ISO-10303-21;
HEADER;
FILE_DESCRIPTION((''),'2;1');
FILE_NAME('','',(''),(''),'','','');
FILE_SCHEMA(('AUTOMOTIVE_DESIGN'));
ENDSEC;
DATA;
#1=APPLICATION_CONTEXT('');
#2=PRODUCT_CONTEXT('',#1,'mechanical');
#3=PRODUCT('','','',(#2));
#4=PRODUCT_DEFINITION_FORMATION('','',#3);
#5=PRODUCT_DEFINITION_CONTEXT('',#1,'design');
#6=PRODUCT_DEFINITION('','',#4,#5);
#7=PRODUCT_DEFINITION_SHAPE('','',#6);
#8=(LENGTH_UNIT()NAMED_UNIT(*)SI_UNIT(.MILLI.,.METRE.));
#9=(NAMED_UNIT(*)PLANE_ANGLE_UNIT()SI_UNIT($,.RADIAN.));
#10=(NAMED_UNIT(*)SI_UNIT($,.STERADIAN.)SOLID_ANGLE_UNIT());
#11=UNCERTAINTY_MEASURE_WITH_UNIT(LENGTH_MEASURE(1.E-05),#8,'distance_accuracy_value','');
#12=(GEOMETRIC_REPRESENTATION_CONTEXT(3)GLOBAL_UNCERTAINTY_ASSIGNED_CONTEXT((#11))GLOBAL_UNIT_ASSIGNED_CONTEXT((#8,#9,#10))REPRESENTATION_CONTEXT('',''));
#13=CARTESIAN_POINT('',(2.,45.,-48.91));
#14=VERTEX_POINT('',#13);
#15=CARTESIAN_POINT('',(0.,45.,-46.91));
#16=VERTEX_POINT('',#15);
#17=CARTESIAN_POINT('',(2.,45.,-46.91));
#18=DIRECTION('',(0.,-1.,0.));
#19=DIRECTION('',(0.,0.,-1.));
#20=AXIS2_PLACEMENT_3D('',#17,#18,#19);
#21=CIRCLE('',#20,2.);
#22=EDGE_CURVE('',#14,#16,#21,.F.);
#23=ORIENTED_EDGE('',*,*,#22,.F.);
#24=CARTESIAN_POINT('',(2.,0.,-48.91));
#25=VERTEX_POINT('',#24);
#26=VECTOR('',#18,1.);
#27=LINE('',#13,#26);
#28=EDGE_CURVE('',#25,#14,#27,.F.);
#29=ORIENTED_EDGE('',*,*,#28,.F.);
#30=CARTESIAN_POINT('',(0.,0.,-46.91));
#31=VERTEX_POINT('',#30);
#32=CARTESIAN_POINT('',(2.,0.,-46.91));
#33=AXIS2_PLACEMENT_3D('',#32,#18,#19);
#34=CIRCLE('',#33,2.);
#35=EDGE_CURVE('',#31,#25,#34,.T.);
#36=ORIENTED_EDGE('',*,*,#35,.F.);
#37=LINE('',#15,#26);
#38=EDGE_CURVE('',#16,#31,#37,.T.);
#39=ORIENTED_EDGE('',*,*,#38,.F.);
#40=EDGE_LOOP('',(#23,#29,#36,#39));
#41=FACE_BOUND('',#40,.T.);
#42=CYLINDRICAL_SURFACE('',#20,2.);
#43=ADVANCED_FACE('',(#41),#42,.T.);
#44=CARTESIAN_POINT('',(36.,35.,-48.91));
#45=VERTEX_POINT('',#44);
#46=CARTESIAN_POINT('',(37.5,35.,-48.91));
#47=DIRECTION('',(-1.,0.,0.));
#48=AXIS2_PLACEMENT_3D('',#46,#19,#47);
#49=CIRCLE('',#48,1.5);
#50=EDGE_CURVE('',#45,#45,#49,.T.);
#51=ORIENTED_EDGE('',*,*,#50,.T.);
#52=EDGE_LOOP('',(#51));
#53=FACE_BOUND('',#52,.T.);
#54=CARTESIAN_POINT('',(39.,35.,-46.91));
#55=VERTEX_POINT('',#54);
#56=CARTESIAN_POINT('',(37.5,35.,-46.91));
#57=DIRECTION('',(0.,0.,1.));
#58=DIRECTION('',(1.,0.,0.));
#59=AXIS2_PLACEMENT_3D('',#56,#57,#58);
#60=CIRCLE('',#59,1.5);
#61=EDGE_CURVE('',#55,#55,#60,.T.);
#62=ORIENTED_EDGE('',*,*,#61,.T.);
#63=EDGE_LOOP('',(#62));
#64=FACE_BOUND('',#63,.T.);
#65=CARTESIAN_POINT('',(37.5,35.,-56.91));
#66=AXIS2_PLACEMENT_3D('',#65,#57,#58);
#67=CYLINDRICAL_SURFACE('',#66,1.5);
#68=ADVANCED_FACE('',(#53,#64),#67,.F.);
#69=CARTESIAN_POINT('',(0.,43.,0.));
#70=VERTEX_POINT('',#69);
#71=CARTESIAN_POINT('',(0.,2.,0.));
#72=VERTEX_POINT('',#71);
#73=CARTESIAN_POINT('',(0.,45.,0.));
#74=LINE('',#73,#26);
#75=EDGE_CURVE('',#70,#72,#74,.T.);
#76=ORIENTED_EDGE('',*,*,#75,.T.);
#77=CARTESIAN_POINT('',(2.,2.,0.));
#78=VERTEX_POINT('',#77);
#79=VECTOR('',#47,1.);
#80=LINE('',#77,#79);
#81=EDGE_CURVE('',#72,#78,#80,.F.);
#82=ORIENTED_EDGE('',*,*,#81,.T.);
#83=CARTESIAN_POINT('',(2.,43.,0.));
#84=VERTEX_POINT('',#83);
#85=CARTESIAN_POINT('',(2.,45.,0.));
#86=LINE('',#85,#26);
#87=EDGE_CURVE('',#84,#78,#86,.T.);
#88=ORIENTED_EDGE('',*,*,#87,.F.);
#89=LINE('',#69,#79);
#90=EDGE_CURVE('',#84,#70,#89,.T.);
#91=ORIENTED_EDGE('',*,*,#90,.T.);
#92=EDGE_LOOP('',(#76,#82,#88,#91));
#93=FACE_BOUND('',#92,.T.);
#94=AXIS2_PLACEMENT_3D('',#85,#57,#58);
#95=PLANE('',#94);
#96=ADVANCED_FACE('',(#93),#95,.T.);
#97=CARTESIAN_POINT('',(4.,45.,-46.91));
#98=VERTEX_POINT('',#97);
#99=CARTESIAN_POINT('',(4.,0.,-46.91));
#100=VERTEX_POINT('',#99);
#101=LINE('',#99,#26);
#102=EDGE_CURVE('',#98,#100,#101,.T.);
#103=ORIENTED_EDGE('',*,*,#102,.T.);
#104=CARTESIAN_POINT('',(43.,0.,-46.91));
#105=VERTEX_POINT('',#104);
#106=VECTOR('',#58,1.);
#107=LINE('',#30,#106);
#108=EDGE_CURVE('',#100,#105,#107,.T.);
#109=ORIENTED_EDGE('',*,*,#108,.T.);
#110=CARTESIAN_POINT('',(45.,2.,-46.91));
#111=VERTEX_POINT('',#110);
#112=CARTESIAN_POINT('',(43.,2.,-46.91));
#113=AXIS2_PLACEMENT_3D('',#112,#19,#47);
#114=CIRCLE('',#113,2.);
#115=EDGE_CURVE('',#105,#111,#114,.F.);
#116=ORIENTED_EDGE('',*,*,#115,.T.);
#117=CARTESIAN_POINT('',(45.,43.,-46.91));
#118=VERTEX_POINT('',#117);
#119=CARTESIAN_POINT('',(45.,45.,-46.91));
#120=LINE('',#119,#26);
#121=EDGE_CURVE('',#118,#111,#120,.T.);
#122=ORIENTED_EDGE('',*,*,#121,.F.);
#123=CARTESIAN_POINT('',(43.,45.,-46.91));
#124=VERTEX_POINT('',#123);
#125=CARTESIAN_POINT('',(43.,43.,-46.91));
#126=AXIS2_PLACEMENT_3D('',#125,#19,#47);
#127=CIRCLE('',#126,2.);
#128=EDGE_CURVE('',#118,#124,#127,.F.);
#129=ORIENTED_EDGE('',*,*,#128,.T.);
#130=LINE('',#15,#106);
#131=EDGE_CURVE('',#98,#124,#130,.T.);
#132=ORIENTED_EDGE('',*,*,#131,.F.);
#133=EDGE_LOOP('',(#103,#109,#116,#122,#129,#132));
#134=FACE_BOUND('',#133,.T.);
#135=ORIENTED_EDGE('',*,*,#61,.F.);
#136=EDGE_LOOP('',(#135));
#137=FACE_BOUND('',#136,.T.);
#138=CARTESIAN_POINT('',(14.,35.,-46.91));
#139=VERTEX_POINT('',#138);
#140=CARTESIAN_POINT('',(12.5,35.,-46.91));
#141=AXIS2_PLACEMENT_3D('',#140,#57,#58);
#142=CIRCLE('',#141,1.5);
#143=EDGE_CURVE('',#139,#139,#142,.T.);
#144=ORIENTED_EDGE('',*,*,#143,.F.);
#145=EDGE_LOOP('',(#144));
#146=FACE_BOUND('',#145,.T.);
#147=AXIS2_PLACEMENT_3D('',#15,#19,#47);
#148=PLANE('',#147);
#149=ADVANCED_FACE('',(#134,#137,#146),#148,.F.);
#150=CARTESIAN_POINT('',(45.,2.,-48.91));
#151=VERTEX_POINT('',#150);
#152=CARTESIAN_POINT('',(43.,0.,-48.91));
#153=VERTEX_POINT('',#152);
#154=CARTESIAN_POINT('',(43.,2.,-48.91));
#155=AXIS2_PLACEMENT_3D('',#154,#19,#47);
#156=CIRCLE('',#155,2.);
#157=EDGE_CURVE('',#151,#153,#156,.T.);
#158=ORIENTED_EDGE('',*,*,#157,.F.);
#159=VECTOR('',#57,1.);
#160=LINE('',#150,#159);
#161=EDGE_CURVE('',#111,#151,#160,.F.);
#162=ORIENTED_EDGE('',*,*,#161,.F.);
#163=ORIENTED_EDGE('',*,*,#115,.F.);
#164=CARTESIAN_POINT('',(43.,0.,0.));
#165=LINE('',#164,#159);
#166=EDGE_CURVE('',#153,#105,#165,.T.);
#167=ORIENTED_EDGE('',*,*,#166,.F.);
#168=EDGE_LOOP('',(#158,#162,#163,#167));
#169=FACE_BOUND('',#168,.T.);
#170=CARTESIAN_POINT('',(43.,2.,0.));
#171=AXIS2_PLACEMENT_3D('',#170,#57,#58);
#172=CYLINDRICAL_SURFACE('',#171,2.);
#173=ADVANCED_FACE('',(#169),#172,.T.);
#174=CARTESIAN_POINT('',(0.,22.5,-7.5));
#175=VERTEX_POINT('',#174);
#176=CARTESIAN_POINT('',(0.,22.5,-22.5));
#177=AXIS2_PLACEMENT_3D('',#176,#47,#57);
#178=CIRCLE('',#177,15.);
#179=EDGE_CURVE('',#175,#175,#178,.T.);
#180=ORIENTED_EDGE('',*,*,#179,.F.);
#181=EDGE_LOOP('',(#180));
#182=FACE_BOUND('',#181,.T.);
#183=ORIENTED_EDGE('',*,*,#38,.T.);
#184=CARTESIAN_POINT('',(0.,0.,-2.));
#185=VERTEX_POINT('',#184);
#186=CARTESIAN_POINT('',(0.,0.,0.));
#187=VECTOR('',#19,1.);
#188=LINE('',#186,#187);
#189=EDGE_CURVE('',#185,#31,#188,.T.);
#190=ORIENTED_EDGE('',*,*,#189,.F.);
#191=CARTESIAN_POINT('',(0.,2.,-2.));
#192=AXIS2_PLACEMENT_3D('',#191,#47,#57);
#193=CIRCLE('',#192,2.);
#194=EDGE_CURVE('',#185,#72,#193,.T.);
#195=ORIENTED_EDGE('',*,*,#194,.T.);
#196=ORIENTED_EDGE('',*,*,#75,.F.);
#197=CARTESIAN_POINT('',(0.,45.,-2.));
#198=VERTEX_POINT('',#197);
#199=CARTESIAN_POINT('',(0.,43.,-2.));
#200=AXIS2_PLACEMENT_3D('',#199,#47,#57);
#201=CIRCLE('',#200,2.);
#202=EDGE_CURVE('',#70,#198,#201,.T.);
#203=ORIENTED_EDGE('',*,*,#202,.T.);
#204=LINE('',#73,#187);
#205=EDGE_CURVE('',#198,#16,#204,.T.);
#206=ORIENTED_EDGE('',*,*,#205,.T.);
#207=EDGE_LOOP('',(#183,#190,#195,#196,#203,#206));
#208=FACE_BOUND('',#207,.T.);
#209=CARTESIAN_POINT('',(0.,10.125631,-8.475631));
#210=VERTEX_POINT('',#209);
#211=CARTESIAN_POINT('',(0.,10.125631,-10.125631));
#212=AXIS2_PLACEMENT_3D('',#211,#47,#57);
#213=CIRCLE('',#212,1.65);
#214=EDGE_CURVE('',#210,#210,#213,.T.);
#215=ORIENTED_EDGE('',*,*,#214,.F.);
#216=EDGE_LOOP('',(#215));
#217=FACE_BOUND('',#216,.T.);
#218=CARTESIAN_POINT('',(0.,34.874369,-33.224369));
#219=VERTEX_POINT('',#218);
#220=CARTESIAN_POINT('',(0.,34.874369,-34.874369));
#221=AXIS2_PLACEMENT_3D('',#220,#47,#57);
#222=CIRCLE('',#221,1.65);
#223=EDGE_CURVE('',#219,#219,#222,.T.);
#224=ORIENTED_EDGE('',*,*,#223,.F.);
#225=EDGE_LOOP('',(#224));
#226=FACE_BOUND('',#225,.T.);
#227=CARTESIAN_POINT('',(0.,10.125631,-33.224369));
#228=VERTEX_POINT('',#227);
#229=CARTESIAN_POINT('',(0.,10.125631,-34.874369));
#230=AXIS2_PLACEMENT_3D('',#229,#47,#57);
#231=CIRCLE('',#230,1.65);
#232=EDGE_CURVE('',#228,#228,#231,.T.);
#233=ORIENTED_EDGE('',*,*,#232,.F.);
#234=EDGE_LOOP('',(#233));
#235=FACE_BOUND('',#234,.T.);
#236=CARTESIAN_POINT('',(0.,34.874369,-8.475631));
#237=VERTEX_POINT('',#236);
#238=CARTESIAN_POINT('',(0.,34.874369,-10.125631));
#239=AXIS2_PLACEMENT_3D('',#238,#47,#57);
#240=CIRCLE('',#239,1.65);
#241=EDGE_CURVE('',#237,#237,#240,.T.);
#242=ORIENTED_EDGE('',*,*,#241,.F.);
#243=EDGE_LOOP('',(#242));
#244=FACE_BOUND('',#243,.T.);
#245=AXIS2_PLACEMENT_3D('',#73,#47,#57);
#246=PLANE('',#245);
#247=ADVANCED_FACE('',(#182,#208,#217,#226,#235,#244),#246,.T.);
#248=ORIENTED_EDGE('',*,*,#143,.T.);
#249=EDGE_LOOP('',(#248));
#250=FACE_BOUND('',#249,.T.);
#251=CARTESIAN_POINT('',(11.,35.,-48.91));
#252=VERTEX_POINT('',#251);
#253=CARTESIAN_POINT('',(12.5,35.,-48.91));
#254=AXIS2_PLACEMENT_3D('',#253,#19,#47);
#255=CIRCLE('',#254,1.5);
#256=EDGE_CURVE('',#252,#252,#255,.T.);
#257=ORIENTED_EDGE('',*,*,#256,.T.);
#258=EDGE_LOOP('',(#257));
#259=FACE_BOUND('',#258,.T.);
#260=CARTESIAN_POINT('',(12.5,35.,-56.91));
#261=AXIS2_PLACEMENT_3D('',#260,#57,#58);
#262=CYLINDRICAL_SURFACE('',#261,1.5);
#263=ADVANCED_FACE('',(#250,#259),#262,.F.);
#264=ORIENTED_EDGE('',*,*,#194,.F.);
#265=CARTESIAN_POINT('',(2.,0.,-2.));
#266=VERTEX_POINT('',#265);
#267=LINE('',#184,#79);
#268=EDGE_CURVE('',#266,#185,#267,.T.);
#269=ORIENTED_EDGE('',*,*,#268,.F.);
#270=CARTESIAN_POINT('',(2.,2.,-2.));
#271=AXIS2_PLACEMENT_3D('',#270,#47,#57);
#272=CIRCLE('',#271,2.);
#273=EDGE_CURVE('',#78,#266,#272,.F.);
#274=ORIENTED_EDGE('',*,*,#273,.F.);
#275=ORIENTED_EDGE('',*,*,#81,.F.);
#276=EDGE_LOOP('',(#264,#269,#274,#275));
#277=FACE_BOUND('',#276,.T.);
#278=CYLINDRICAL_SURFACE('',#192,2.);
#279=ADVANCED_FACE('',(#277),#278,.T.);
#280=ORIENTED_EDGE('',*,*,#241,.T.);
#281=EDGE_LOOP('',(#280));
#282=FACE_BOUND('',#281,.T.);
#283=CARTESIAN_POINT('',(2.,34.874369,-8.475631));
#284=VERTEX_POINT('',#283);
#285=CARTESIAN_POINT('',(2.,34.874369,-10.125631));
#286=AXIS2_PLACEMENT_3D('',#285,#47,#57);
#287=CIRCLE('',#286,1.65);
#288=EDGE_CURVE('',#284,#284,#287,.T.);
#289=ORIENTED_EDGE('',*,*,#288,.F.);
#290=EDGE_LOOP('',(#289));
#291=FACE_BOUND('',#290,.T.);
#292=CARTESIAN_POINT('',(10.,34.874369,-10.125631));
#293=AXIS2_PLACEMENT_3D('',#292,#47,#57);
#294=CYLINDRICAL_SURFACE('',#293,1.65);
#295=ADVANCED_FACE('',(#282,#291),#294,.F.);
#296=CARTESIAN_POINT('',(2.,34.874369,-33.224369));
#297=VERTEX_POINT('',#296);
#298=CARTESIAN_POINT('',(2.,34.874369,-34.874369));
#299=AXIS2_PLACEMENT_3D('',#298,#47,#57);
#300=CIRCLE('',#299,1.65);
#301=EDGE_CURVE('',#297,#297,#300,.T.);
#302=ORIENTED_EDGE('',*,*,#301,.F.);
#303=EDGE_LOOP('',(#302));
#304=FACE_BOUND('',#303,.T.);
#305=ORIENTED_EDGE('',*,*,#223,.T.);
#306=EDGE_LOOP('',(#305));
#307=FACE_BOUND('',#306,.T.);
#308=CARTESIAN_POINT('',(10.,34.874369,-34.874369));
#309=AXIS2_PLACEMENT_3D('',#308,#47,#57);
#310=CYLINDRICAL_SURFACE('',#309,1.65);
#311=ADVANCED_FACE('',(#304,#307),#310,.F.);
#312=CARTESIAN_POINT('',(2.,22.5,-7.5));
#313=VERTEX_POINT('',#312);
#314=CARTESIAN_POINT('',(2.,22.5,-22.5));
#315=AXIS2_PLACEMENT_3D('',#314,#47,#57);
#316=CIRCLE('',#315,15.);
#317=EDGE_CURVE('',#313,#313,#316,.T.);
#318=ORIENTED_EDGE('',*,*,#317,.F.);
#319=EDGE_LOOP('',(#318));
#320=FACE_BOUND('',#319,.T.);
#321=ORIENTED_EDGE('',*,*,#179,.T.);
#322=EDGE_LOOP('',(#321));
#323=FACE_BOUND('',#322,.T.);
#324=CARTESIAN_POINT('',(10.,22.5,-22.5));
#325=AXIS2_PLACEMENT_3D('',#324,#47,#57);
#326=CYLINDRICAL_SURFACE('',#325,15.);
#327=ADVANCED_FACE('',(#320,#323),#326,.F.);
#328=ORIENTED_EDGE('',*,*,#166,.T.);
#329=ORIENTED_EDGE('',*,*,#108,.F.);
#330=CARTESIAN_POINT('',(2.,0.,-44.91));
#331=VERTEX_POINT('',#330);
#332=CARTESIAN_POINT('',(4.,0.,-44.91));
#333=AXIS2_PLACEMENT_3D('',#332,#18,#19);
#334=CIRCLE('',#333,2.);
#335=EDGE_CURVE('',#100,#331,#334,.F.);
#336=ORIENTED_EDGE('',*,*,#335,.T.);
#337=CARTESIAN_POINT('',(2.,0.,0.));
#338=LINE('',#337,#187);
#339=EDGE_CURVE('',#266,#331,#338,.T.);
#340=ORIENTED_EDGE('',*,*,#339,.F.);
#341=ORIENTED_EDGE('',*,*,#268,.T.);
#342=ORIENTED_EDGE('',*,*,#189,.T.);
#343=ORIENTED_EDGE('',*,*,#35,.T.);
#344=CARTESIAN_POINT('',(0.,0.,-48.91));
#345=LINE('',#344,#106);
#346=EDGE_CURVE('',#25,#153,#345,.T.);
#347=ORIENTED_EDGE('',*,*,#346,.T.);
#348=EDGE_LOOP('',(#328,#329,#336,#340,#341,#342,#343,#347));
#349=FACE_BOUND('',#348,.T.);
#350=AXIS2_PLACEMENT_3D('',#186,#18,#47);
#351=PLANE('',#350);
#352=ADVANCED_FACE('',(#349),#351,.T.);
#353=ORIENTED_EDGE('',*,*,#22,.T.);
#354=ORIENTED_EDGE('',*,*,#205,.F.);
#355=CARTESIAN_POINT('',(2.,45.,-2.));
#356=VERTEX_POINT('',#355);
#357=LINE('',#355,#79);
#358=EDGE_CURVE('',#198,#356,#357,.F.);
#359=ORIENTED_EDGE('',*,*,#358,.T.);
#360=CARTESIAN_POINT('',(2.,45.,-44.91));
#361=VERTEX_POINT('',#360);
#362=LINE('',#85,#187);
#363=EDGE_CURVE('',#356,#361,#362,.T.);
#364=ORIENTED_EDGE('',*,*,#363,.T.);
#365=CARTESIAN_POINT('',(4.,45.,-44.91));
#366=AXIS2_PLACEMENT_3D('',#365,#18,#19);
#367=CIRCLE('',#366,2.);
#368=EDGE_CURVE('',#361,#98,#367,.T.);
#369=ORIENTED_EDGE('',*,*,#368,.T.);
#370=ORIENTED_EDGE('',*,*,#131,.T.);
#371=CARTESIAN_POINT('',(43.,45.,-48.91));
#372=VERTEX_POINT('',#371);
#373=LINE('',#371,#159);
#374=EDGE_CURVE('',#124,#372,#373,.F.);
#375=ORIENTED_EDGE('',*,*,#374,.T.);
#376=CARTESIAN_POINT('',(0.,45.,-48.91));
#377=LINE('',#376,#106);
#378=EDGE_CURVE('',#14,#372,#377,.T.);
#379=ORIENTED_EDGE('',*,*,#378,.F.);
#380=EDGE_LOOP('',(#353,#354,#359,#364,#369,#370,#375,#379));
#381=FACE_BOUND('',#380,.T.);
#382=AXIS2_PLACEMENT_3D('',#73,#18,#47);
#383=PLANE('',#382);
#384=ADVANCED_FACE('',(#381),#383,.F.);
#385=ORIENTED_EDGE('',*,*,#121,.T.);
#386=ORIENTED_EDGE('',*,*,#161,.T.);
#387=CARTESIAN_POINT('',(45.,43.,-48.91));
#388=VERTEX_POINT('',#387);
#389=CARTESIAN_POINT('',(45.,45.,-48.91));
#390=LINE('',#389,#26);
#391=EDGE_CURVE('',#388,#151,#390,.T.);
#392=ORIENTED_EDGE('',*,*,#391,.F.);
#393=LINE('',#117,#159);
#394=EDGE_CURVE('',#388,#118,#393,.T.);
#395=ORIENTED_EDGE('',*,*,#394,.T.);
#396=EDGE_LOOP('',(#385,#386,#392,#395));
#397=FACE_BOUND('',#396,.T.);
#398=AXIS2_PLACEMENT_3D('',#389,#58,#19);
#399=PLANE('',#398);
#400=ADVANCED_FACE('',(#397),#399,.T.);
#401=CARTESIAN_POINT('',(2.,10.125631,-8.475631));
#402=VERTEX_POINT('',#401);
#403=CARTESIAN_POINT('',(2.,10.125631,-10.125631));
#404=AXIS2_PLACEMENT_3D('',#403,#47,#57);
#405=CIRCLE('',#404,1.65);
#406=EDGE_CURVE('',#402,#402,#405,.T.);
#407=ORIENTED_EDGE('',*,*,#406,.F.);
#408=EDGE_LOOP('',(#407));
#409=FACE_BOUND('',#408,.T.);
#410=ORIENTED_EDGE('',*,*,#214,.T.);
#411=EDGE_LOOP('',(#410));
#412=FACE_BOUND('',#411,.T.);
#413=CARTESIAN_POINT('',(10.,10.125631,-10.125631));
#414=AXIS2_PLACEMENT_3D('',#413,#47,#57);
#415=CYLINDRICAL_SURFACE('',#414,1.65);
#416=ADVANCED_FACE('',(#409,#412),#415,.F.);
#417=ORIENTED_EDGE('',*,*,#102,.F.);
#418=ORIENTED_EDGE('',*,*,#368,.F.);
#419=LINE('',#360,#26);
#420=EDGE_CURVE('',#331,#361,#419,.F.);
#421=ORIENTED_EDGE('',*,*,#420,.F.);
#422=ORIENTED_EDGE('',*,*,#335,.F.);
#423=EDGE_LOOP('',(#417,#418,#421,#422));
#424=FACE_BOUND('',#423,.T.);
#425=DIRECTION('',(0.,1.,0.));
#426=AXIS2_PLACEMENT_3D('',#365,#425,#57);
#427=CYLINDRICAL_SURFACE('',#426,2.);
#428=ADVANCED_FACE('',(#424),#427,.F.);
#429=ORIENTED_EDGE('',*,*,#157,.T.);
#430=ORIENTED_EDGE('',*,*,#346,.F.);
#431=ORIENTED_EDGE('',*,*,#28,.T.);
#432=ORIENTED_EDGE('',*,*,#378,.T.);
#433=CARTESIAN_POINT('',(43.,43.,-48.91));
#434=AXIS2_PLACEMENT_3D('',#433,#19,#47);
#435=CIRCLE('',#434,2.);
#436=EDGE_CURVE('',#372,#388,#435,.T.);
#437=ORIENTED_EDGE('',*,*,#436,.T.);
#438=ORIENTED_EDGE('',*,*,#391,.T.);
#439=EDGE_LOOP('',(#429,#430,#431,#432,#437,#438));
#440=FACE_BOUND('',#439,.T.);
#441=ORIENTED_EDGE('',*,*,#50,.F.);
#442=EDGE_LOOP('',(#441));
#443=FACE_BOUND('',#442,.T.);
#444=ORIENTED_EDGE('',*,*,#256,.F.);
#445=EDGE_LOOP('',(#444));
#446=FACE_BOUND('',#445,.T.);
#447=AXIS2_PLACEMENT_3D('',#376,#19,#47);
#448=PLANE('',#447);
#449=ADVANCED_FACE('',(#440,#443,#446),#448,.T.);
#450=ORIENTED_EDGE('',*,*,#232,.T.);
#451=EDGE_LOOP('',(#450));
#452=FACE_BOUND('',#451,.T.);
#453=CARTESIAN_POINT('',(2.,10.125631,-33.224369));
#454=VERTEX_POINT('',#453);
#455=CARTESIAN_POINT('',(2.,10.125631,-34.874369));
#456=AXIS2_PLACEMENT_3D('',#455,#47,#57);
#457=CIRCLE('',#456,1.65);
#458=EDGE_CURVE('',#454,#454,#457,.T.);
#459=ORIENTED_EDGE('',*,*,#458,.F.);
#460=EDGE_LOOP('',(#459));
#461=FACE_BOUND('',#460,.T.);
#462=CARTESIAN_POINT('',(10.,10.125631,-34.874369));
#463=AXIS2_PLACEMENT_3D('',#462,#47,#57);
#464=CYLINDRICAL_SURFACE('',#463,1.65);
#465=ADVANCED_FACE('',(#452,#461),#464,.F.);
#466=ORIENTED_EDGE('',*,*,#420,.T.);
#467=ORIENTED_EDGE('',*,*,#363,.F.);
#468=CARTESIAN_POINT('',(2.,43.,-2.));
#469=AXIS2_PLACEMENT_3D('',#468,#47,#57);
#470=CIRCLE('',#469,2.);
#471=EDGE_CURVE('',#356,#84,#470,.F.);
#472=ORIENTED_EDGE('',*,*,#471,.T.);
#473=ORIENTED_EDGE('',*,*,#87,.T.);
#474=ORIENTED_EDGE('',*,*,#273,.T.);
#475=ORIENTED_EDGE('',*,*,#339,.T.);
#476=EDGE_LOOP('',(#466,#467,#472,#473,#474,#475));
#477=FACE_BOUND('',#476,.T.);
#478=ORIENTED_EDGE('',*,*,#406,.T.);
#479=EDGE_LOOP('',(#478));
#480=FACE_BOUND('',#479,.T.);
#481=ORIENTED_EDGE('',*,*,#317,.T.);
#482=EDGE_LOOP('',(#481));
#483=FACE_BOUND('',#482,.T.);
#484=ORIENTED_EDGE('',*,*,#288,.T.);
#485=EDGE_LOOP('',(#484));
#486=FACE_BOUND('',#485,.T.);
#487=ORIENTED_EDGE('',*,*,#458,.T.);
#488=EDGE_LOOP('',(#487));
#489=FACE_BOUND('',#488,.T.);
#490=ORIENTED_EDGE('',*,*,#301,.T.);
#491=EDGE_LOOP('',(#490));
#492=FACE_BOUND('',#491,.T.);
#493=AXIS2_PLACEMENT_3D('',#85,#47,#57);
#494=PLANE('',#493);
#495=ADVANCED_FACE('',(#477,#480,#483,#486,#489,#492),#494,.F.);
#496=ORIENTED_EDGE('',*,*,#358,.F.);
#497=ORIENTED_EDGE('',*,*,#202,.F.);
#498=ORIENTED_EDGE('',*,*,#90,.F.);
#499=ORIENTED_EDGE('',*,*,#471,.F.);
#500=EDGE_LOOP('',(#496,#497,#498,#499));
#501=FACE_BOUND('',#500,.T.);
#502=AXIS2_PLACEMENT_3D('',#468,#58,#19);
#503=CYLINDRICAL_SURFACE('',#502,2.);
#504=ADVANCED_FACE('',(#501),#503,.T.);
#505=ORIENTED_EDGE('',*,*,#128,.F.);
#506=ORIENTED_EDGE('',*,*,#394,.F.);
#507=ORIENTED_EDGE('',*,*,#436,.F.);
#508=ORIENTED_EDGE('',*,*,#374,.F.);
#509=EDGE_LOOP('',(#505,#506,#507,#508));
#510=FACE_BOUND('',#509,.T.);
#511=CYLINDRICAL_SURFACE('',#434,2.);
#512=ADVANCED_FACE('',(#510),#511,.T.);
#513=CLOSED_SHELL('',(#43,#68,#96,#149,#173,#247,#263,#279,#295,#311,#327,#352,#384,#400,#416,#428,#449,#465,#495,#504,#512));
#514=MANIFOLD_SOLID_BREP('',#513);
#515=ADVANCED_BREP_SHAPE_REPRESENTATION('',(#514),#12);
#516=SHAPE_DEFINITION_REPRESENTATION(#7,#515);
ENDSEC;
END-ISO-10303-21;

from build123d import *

# Parameters (mm, degrees)
EXTRUDE_1_DEPTH     = 45
FILLET_1_R          = 2
SKETCH_2_R          = 15
CUT_EXTRUDE_1_DEPTH = 10
FILLET_2_R          = 2
SKETCH_4_R          = 1.65
CUT_EXTRUDE_2_DEPTH = 10
SKETCH_5_R          = 1.5
CUT_EXTRUDE_3_DEPTH = 10


with BuildPart() as part:
    # 草图1 → 拉伸-薄壁1 (new body)
    with BuildSketch(Plane(origin=(0, 0, 0), x_dir=(1, 0, 0), z_dir=(0, 1, 0))):
        Polygon((0, 0), (0, 48.91), (45, 48.91), (45, 46.91), (2, 46.91), (2, 0), align=None)
    extrude(amount=EXTRUDE_1_DEPTH)

    # 圆角1
    fillet_1_edges = [part.edges().sort_by_distance(p)[0] for p in [
        (2, 22.5, -46.91),
        (0, 22.5, -48.91),
    ]]
    fillet(fillet_1_edges, radius=FILLET_1_R)

    # 草图2 → 切除-拉伸1 (cut)
    with BuildSketch(Plane.ZY):
        with Locations((-22.5, 22.5)):
            Circle(SKETCH_2_R)
    extrude(amount=-CUT_EXTRUDE_1_DEPTH, mode=Mode.SUBTRACT)

    # 圆角2
    fillet_2_edges = [part.edges().sort_by_distance(p)[0] for p in [
        (1, 45, 0),
        (1, 0, 0),
        (45, 0, -47.91),
        (45, 45, -47.91),
    ]]
    fillet(fillet_2_edges, radius=FILLET_2_R)

    # 草图4 → 切除-拉伸2 (cut)
    with BuildSketch(Plane.ZY):
        with Locations((-34.874368671, 10.125631329)):
            Circle(SKETCH_4_R)
        with Locations((-10.125631329, 10.125631329)):
            Circle(SKETCH_4_R)
        with Locations((-10.125631329, 34.874368671)):
            Circle(SKETCH_4_R)
        with Locations((-34.874368671, 34.874368671)):
            Circle(SKETCH_4_R)
    extrude(amount=-CUT_EXTRUDE_2_DEPTH, mode=Mode.SUBTRACT)

    # 草图5 → 切除-拉伸3 (cut)
    with BuildSketch(Plane.XY.offset(-46.91)):
        with Locations((12.5, 35)):
            Circle(SKETCH_5_R)
        with Locations((37.5, 35)):
            Circle(SKETCH_5_R)
    extrude(amount=-CUT_EXTRUDE_3_DEPTH, mode=Mode.SUBTRACT)


solid = part.part
